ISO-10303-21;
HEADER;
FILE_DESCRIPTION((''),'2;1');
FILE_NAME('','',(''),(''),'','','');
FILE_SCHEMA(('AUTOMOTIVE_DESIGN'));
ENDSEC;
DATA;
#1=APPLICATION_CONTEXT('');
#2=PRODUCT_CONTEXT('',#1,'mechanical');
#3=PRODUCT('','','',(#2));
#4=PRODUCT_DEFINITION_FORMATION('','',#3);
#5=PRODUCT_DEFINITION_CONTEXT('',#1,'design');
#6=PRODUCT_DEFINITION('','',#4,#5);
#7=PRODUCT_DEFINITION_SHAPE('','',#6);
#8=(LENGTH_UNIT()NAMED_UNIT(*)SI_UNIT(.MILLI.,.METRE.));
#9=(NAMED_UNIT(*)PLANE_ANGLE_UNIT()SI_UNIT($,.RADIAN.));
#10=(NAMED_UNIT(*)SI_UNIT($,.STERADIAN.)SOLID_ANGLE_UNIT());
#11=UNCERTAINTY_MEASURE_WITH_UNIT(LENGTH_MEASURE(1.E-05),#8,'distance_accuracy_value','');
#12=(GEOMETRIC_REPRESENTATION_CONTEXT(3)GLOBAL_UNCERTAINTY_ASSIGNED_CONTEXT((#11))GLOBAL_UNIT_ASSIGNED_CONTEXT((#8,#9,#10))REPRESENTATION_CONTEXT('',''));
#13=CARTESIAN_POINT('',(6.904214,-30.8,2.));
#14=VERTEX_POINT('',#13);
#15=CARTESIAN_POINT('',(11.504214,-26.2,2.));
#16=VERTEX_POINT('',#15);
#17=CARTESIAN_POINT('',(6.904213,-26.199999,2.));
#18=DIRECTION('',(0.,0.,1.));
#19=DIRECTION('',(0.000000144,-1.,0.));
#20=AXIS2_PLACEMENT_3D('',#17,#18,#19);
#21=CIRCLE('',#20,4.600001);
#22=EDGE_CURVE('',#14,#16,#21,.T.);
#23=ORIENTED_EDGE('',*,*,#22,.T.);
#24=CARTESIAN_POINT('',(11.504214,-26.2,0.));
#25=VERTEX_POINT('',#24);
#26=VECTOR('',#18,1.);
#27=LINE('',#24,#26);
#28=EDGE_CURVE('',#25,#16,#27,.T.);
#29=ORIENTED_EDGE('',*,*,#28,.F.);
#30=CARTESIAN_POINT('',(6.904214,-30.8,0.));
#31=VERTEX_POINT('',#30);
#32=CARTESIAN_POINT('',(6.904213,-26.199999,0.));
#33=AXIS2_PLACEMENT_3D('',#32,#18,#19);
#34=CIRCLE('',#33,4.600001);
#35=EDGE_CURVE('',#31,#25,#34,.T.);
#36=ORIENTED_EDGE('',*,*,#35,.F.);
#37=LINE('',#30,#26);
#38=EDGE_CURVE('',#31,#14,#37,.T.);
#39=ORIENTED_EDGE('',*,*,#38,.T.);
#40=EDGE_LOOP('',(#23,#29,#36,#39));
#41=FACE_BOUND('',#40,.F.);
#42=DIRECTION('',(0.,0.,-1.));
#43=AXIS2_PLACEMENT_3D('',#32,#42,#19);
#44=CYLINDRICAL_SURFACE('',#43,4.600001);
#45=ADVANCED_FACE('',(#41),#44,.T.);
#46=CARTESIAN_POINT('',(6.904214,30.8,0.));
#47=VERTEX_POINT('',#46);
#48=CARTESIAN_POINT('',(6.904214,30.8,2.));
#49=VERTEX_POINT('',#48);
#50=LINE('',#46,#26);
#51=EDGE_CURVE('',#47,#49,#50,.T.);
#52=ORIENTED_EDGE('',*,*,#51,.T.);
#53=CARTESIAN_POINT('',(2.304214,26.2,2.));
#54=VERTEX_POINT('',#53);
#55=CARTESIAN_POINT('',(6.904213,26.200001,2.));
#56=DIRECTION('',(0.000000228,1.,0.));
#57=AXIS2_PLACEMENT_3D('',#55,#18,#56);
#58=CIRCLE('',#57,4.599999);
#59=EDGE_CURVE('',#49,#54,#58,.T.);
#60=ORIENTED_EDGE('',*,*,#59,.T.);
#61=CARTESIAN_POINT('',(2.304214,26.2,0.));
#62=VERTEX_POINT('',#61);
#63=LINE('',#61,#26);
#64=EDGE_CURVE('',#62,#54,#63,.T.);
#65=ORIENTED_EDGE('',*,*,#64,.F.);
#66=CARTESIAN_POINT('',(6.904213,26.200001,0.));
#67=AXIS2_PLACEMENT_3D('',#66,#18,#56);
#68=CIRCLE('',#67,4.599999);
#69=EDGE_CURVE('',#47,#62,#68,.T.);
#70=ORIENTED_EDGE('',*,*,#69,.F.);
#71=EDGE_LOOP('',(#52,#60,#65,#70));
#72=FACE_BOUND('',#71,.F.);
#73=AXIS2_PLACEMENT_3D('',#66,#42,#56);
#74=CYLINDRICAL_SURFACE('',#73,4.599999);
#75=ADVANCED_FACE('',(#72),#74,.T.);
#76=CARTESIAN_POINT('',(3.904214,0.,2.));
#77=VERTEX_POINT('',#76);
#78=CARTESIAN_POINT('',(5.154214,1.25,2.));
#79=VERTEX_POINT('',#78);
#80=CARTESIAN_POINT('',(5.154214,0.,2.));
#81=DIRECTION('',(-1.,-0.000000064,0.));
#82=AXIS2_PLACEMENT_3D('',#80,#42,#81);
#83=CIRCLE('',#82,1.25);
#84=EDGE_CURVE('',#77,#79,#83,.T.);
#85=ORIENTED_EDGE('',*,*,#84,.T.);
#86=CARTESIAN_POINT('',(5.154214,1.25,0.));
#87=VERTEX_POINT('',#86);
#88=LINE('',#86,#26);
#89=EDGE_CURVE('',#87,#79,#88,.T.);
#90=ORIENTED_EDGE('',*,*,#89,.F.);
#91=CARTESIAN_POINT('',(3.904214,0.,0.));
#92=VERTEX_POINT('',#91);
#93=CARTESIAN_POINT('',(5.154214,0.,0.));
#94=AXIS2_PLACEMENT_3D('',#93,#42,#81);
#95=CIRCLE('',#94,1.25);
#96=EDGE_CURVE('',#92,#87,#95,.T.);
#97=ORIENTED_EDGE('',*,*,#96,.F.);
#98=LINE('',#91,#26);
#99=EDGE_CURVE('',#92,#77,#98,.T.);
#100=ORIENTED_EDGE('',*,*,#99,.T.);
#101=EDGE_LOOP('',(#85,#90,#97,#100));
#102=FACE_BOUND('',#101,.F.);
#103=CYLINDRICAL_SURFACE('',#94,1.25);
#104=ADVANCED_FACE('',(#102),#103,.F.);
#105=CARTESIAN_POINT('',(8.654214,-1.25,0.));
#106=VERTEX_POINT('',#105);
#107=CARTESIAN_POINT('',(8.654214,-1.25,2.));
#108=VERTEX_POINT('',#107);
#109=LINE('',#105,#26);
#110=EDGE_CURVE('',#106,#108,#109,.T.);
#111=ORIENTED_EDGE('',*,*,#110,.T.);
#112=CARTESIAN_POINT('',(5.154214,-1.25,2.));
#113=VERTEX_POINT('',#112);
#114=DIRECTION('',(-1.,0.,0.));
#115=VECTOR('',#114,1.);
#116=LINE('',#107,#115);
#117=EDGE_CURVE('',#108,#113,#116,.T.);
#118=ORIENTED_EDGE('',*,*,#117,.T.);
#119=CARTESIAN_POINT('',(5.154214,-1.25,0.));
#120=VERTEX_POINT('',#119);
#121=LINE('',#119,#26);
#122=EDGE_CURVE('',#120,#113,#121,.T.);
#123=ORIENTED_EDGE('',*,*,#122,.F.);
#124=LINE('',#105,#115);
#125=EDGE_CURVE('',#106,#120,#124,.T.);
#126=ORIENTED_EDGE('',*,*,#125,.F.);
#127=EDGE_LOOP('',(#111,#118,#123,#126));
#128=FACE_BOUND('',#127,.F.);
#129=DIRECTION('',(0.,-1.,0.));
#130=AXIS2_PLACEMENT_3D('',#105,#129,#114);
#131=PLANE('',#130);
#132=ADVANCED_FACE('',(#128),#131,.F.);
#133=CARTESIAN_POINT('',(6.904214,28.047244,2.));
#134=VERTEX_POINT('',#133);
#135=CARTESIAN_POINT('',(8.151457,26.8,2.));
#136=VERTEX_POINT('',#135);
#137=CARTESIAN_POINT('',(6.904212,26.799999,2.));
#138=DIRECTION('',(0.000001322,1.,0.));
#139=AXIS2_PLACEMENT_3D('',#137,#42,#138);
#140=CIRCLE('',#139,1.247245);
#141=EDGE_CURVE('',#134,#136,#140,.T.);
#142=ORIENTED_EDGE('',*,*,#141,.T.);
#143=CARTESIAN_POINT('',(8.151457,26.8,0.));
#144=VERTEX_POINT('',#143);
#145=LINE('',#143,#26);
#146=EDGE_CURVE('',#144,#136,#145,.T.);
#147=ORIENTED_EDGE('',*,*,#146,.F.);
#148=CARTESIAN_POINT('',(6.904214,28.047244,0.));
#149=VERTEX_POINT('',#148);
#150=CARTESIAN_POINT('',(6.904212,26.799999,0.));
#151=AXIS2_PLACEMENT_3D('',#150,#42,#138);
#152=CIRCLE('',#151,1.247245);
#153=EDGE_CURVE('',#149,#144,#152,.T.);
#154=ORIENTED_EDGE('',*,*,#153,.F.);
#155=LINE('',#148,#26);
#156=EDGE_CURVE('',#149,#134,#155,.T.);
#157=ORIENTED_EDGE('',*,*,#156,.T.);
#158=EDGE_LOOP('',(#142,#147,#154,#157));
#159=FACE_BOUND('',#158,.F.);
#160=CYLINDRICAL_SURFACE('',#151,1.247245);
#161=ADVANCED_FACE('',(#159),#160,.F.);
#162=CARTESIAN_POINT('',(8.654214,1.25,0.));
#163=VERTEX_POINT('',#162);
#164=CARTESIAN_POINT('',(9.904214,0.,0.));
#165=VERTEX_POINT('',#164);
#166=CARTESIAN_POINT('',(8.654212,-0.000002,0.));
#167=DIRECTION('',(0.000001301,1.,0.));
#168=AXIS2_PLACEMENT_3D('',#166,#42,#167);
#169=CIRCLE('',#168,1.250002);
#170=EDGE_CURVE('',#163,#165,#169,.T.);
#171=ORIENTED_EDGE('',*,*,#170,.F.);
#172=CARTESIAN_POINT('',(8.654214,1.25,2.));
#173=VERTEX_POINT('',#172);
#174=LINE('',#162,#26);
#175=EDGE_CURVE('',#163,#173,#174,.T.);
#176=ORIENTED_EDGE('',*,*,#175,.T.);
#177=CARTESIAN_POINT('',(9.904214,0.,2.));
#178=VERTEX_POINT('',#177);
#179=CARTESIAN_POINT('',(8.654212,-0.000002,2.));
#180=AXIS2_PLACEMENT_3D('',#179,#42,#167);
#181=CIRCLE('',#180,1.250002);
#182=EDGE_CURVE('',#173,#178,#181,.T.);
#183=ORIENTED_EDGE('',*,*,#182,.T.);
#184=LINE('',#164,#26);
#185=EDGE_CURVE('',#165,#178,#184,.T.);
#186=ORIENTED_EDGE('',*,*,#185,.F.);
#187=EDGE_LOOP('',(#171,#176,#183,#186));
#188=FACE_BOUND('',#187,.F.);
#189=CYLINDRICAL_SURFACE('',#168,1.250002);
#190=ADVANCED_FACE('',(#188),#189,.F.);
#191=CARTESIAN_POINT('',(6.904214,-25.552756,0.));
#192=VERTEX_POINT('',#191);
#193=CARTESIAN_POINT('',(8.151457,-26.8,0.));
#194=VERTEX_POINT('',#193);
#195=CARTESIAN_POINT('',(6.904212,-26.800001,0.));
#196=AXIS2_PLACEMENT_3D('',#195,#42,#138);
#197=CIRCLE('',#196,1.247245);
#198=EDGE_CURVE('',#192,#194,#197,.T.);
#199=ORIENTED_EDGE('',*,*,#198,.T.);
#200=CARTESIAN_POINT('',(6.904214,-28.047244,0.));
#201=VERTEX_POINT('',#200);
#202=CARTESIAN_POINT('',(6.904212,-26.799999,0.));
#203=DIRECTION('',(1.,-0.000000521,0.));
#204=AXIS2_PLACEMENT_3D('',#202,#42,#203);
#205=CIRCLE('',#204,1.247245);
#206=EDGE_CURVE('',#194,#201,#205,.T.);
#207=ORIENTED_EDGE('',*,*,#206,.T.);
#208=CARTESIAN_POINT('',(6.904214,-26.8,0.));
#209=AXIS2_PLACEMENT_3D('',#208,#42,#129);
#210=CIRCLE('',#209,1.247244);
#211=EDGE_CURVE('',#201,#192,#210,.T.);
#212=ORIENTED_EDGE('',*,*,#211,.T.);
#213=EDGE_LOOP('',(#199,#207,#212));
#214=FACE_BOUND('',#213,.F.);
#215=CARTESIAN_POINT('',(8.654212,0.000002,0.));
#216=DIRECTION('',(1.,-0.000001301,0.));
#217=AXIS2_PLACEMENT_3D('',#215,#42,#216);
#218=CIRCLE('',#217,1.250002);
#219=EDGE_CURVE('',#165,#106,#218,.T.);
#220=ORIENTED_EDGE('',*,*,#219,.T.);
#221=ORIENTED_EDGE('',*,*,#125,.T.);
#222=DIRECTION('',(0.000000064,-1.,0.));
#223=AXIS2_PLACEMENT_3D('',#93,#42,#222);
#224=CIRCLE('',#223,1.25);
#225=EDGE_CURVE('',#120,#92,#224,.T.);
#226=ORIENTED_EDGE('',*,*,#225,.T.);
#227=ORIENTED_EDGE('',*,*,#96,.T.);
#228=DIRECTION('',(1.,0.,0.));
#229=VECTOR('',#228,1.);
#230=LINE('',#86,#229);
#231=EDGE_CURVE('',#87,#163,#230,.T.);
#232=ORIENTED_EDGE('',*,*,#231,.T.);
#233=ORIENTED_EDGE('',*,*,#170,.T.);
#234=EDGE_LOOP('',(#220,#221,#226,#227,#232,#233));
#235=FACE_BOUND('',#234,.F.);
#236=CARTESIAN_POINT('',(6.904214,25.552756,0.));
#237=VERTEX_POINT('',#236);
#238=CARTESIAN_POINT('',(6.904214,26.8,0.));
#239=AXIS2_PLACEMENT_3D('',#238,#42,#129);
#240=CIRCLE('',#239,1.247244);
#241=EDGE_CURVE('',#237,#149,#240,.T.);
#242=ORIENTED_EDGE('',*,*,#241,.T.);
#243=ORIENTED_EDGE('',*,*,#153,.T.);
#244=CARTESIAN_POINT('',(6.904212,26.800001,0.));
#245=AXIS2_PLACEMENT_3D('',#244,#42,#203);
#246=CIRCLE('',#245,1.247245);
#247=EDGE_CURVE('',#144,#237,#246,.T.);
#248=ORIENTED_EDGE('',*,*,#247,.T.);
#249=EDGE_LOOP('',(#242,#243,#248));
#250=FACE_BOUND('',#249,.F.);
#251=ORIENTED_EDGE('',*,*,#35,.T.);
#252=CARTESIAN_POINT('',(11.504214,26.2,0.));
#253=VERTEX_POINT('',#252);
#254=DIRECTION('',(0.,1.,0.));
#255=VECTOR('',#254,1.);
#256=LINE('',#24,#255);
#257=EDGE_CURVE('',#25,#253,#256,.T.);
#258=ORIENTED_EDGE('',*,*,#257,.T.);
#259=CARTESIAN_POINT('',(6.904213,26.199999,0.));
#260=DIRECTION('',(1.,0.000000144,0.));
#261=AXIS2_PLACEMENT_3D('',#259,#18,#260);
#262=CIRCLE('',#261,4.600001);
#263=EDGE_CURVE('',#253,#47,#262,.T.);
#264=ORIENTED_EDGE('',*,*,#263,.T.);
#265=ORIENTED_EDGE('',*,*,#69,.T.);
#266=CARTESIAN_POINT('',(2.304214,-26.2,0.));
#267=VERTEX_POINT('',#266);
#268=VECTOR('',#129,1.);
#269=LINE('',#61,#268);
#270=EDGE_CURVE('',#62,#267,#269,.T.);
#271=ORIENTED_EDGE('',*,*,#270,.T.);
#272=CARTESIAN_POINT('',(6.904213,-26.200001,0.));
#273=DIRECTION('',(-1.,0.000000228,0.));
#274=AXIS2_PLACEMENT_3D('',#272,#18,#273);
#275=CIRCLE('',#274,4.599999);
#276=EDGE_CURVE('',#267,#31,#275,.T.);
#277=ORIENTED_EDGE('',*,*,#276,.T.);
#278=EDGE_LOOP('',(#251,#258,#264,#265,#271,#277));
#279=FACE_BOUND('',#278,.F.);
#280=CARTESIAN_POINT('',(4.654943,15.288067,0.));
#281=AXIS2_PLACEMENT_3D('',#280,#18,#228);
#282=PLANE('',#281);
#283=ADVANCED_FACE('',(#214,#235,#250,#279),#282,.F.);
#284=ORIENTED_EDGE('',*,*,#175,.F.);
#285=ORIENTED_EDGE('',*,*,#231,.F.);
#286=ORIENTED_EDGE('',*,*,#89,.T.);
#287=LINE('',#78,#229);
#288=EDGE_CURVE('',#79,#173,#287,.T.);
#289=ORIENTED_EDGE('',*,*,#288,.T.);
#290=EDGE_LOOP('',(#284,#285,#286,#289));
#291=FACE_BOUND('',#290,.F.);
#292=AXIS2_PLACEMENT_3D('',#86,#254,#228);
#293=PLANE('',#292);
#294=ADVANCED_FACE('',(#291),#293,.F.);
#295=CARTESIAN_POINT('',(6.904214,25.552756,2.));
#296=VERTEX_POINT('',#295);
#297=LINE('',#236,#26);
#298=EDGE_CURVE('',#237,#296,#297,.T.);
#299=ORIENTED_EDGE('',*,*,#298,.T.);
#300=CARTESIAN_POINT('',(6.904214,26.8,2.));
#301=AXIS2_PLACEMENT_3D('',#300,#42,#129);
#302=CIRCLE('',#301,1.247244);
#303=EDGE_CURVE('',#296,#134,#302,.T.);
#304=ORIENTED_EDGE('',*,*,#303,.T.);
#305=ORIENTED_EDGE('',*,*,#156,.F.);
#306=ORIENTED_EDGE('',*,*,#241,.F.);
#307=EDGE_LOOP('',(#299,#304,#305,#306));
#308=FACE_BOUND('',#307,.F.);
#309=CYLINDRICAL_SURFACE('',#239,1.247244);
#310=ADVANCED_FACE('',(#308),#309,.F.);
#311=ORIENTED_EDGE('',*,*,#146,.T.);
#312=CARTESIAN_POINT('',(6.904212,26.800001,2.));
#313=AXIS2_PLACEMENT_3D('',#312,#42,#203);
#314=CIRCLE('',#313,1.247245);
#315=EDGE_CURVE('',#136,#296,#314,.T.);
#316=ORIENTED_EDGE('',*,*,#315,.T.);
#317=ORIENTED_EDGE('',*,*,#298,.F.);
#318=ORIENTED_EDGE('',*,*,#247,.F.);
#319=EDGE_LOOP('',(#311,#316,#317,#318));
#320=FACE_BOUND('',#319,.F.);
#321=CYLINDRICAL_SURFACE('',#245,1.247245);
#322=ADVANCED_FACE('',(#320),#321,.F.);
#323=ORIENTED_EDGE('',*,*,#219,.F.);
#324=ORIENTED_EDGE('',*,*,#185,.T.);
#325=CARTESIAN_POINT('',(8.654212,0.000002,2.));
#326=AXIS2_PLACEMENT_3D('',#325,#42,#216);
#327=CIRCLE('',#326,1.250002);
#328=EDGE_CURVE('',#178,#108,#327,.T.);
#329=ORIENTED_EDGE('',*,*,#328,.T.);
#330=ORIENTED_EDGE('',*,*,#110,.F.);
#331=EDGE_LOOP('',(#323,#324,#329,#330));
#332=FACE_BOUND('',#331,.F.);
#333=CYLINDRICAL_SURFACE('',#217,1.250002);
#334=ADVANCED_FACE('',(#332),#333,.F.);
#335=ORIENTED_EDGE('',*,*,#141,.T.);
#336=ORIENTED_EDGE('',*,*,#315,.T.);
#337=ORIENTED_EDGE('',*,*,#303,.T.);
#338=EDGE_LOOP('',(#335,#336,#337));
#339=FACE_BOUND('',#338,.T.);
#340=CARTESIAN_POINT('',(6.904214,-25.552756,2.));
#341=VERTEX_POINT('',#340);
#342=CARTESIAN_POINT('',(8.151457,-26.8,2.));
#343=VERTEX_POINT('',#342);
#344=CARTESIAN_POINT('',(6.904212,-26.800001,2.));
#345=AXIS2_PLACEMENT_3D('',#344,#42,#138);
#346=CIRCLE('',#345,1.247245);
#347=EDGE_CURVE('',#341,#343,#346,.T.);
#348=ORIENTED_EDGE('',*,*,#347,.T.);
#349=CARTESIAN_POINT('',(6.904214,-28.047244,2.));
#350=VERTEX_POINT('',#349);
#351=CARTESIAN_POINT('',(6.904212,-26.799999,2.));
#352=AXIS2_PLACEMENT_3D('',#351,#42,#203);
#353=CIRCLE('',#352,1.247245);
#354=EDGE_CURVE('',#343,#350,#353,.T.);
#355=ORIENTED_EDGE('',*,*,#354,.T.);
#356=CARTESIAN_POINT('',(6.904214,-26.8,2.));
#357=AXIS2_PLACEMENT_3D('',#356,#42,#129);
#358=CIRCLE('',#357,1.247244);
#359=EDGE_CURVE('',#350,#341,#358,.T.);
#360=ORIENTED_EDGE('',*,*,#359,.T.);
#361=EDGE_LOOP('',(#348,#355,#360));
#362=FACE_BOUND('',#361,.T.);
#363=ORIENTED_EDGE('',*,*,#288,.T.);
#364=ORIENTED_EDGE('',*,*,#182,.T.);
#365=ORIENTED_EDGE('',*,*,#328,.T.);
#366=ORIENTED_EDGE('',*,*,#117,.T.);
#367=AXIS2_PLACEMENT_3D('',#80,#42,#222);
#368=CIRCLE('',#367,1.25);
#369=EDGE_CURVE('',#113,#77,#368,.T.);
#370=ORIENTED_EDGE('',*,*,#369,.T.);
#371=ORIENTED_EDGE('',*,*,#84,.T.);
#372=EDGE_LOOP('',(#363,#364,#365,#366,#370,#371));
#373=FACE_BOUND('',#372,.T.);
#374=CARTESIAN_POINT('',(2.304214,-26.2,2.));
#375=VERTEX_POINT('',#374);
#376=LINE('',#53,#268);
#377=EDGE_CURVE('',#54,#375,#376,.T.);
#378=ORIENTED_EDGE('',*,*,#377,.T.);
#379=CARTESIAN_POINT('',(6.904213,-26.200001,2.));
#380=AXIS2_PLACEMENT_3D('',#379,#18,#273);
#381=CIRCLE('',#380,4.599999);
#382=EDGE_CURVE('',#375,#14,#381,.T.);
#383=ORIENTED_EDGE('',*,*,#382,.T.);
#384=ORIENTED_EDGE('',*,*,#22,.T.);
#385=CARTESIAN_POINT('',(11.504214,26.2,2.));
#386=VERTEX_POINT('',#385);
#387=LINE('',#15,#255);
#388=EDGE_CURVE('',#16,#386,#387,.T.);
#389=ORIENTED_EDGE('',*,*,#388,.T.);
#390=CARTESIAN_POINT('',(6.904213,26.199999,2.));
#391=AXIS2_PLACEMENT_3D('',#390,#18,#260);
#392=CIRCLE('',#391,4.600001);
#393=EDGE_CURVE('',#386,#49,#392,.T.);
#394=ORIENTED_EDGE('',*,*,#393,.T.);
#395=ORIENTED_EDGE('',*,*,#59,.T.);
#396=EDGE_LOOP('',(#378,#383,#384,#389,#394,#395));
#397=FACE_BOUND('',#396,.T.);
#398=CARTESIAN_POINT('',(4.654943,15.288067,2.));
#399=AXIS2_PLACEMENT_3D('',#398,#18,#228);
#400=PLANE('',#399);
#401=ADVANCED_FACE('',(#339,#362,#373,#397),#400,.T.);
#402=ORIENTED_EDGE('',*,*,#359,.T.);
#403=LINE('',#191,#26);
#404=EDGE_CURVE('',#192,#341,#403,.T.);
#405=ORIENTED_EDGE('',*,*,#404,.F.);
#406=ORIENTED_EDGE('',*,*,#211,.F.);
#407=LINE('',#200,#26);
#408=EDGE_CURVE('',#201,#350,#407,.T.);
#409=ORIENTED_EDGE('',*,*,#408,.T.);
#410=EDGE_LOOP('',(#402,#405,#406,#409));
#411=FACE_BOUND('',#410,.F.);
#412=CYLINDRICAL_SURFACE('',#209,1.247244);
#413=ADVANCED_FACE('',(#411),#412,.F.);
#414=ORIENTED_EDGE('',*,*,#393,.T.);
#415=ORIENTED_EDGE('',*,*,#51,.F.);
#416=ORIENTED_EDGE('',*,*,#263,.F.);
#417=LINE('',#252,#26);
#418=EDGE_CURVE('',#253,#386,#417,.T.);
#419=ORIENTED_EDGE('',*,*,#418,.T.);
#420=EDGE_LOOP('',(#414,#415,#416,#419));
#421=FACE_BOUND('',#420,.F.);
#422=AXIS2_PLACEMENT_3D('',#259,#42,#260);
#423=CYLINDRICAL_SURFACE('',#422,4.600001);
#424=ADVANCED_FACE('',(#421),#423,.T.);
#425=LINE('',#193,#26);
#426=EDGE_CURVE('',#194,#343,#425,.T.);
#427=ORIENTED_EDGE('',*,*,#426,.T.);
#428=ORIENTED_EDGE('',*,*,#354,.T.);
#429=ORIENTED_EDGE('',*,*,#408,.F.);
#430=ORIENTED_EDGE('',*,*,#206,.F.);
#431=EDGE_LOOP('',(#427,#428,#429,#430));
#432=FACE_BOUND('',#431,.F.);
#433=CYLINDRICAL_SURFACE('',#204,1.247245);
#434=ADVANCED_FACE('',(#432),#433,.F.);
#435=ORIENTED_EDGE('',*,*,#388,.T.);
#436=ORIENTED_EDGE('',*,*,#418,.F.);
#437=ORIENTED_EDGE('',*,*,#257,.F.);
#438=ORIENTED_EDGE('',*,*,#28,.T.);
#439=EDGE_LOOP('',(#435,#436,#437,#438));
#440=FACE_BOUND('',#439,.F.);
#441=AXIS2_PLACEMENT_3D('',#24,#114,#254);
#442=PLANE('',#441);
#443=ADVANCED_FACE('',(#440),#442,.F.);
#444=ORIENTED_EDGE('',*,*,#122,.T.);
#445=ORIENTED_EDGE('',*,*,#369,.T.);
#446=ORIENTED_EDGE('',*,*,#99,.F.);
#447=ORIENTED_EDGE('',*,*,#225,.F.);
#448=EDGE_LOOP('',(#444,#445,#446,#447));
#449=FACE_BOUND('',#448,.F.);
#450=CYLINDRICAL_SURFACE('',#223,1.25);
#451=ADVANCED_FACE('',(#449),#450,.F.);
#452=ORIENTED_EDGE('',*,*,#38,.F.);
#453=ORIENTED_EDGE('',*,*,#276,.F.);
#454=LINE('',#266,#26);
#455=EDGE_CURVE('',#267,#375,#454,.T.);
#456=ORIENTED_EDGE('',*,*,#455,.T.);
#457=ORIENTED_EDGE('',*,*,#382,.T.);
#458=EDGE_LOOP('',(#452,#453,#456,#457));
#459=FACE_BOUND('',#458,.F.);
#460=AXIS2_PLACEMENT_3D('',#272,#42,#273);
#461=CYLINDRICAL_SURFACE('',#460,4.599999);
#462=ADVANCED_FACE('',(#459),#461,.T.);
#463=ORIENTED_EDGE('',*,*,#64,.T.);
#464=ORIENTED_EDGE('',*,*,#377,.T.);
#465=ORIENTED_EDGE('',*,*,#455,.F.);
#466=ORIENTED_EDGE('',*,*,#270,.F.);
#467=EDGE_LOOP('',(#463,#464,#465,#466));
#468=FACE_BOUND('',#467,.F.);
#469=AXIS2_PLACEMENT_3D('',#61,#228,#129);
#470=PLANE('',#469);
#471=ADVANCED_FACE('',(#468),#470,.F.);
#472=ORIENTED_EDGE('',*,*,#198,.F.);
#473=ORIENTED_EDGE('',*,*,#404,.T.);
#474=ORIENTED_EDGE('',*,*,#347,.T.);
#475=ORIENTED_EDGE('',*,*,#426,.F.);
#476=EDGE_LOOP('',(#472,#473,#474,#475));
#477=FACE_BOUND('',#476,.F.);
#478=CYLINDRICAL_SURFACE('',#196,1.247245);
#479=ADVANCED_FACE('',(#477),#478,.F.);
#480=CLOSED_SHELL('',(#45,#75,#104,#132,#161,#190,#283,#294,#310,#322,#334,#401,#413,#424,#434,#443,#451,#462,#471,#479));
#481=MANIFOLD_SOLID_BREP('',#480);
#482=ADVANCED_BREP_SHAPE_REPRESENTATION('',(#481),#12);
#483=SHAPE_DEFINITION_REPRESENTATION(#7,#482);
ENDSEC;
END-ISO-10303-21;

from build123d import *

# Parameters (mm, degrees)
F1_DEPTH = 2


with BuildPart() as f1:
    # F0 (on Top) → F1 (new body)
    with BuildSketch(Plane.XY):
        with BuildLine():
            Line((2.304214, 26.2), (2.304214, 0))
            Line((2.304214, 0), (3.904214, 0))
            ThreePointArc((3.904214, 0), (4.27033, 0.883883), (5.154214, 1.25))
            Line((5.154214, 1.25), (6.904214, 1.25))
            Line((6.904214, 1.25), (6.904214, 25.552756))
            ThreePointArc((6.904214, 25.552756), (5.65697, 26.8), (6.904214, 28.047244))
            Line((6.904214, 28.047244), (6.904214, 30.8))
            ThreePointArc((6.904214, 30.8), (3.651522, 29.452691), (2.304214, 26.2))
        make_face()
        with BuildLine():
            Line((3.904214, 0), (2.304214, 0))
            Line((2.304214, 0), (2.304214, -26.2))
            ThreePointArc((2.304214, -26.2), (3.651522, -29.452691), (6.904214, -30.8))
            Line((6.904214, -30.8), (6.904214, -28.047244))
            ThreePointArc((6.904214, -28.047244), (5.65697, -26.8), (6.904214, -25.552756))
            Line((6.904214, -25.552756), (6.904214, -1.25))
            Line((6.904214, -1.25), (5.154214, -1.25))
            ThreePointArc((5.154214, -1.25), (4.27033, -0.883883), (3.904214, 0))
        make_face()
        with BuildLine():
            ThreePointArc((11.504214, 26.2), (10.156905, 29.452691), (6.904214, 30.8))
            Line((6.904214, 30.8), (6.904214, 28.047244))
            ThreePointArc((6.904214, 28.047244), (7.786148, 27.681934), (8.151457, 26.8))
            ThreePointArc((8.151457, 26.8), (7.786148, 25.918066), (6.904214, 25.552756))
            Line((6.904214, 25.552756), (6.904214, 1.25))
            Line((6.904214, 1.25), (8.654214, 1.25))
            ThreePointArc((8.654214, 1.25), (9.538097, 0.883883), (9.904214, 0))
            Line((9.904214, 0), (11.504214, 0))
            Line((11.504214, 0), (11.504214, 26.2))
        make_face()
        with BuildLine():
            Line((6.904214, -28.047244), (6.904214, -30.8))
            ThreePointArc((6.904214, -30.8), (10.156905, -29.452691), (11.504214, -26.2))
            Line((11.504214, -26.2), (11.504214, 0))
            Line((11.504214, 0), (9.904214, 0))
            ThreePointArc((9.904214, 0), (9.538097, -0.883883), (8.654214, -1.25))
            Line((8.654214, -1.25), (6.904214, -1.25))
            Line((6.904214, -1.25), (6.904214, -25.552756))
            ThreePointArc((6.904214, -25.552756), (7.786148, -25.918066), (8.151457, -26.8))
            ThreePointArc((8.151457, -26.8), (7.786148, -27.681934), (6.904214, -28.047244))
        make_face()
    extrude(amount=F1_DEPTH)


solid = f1.part
